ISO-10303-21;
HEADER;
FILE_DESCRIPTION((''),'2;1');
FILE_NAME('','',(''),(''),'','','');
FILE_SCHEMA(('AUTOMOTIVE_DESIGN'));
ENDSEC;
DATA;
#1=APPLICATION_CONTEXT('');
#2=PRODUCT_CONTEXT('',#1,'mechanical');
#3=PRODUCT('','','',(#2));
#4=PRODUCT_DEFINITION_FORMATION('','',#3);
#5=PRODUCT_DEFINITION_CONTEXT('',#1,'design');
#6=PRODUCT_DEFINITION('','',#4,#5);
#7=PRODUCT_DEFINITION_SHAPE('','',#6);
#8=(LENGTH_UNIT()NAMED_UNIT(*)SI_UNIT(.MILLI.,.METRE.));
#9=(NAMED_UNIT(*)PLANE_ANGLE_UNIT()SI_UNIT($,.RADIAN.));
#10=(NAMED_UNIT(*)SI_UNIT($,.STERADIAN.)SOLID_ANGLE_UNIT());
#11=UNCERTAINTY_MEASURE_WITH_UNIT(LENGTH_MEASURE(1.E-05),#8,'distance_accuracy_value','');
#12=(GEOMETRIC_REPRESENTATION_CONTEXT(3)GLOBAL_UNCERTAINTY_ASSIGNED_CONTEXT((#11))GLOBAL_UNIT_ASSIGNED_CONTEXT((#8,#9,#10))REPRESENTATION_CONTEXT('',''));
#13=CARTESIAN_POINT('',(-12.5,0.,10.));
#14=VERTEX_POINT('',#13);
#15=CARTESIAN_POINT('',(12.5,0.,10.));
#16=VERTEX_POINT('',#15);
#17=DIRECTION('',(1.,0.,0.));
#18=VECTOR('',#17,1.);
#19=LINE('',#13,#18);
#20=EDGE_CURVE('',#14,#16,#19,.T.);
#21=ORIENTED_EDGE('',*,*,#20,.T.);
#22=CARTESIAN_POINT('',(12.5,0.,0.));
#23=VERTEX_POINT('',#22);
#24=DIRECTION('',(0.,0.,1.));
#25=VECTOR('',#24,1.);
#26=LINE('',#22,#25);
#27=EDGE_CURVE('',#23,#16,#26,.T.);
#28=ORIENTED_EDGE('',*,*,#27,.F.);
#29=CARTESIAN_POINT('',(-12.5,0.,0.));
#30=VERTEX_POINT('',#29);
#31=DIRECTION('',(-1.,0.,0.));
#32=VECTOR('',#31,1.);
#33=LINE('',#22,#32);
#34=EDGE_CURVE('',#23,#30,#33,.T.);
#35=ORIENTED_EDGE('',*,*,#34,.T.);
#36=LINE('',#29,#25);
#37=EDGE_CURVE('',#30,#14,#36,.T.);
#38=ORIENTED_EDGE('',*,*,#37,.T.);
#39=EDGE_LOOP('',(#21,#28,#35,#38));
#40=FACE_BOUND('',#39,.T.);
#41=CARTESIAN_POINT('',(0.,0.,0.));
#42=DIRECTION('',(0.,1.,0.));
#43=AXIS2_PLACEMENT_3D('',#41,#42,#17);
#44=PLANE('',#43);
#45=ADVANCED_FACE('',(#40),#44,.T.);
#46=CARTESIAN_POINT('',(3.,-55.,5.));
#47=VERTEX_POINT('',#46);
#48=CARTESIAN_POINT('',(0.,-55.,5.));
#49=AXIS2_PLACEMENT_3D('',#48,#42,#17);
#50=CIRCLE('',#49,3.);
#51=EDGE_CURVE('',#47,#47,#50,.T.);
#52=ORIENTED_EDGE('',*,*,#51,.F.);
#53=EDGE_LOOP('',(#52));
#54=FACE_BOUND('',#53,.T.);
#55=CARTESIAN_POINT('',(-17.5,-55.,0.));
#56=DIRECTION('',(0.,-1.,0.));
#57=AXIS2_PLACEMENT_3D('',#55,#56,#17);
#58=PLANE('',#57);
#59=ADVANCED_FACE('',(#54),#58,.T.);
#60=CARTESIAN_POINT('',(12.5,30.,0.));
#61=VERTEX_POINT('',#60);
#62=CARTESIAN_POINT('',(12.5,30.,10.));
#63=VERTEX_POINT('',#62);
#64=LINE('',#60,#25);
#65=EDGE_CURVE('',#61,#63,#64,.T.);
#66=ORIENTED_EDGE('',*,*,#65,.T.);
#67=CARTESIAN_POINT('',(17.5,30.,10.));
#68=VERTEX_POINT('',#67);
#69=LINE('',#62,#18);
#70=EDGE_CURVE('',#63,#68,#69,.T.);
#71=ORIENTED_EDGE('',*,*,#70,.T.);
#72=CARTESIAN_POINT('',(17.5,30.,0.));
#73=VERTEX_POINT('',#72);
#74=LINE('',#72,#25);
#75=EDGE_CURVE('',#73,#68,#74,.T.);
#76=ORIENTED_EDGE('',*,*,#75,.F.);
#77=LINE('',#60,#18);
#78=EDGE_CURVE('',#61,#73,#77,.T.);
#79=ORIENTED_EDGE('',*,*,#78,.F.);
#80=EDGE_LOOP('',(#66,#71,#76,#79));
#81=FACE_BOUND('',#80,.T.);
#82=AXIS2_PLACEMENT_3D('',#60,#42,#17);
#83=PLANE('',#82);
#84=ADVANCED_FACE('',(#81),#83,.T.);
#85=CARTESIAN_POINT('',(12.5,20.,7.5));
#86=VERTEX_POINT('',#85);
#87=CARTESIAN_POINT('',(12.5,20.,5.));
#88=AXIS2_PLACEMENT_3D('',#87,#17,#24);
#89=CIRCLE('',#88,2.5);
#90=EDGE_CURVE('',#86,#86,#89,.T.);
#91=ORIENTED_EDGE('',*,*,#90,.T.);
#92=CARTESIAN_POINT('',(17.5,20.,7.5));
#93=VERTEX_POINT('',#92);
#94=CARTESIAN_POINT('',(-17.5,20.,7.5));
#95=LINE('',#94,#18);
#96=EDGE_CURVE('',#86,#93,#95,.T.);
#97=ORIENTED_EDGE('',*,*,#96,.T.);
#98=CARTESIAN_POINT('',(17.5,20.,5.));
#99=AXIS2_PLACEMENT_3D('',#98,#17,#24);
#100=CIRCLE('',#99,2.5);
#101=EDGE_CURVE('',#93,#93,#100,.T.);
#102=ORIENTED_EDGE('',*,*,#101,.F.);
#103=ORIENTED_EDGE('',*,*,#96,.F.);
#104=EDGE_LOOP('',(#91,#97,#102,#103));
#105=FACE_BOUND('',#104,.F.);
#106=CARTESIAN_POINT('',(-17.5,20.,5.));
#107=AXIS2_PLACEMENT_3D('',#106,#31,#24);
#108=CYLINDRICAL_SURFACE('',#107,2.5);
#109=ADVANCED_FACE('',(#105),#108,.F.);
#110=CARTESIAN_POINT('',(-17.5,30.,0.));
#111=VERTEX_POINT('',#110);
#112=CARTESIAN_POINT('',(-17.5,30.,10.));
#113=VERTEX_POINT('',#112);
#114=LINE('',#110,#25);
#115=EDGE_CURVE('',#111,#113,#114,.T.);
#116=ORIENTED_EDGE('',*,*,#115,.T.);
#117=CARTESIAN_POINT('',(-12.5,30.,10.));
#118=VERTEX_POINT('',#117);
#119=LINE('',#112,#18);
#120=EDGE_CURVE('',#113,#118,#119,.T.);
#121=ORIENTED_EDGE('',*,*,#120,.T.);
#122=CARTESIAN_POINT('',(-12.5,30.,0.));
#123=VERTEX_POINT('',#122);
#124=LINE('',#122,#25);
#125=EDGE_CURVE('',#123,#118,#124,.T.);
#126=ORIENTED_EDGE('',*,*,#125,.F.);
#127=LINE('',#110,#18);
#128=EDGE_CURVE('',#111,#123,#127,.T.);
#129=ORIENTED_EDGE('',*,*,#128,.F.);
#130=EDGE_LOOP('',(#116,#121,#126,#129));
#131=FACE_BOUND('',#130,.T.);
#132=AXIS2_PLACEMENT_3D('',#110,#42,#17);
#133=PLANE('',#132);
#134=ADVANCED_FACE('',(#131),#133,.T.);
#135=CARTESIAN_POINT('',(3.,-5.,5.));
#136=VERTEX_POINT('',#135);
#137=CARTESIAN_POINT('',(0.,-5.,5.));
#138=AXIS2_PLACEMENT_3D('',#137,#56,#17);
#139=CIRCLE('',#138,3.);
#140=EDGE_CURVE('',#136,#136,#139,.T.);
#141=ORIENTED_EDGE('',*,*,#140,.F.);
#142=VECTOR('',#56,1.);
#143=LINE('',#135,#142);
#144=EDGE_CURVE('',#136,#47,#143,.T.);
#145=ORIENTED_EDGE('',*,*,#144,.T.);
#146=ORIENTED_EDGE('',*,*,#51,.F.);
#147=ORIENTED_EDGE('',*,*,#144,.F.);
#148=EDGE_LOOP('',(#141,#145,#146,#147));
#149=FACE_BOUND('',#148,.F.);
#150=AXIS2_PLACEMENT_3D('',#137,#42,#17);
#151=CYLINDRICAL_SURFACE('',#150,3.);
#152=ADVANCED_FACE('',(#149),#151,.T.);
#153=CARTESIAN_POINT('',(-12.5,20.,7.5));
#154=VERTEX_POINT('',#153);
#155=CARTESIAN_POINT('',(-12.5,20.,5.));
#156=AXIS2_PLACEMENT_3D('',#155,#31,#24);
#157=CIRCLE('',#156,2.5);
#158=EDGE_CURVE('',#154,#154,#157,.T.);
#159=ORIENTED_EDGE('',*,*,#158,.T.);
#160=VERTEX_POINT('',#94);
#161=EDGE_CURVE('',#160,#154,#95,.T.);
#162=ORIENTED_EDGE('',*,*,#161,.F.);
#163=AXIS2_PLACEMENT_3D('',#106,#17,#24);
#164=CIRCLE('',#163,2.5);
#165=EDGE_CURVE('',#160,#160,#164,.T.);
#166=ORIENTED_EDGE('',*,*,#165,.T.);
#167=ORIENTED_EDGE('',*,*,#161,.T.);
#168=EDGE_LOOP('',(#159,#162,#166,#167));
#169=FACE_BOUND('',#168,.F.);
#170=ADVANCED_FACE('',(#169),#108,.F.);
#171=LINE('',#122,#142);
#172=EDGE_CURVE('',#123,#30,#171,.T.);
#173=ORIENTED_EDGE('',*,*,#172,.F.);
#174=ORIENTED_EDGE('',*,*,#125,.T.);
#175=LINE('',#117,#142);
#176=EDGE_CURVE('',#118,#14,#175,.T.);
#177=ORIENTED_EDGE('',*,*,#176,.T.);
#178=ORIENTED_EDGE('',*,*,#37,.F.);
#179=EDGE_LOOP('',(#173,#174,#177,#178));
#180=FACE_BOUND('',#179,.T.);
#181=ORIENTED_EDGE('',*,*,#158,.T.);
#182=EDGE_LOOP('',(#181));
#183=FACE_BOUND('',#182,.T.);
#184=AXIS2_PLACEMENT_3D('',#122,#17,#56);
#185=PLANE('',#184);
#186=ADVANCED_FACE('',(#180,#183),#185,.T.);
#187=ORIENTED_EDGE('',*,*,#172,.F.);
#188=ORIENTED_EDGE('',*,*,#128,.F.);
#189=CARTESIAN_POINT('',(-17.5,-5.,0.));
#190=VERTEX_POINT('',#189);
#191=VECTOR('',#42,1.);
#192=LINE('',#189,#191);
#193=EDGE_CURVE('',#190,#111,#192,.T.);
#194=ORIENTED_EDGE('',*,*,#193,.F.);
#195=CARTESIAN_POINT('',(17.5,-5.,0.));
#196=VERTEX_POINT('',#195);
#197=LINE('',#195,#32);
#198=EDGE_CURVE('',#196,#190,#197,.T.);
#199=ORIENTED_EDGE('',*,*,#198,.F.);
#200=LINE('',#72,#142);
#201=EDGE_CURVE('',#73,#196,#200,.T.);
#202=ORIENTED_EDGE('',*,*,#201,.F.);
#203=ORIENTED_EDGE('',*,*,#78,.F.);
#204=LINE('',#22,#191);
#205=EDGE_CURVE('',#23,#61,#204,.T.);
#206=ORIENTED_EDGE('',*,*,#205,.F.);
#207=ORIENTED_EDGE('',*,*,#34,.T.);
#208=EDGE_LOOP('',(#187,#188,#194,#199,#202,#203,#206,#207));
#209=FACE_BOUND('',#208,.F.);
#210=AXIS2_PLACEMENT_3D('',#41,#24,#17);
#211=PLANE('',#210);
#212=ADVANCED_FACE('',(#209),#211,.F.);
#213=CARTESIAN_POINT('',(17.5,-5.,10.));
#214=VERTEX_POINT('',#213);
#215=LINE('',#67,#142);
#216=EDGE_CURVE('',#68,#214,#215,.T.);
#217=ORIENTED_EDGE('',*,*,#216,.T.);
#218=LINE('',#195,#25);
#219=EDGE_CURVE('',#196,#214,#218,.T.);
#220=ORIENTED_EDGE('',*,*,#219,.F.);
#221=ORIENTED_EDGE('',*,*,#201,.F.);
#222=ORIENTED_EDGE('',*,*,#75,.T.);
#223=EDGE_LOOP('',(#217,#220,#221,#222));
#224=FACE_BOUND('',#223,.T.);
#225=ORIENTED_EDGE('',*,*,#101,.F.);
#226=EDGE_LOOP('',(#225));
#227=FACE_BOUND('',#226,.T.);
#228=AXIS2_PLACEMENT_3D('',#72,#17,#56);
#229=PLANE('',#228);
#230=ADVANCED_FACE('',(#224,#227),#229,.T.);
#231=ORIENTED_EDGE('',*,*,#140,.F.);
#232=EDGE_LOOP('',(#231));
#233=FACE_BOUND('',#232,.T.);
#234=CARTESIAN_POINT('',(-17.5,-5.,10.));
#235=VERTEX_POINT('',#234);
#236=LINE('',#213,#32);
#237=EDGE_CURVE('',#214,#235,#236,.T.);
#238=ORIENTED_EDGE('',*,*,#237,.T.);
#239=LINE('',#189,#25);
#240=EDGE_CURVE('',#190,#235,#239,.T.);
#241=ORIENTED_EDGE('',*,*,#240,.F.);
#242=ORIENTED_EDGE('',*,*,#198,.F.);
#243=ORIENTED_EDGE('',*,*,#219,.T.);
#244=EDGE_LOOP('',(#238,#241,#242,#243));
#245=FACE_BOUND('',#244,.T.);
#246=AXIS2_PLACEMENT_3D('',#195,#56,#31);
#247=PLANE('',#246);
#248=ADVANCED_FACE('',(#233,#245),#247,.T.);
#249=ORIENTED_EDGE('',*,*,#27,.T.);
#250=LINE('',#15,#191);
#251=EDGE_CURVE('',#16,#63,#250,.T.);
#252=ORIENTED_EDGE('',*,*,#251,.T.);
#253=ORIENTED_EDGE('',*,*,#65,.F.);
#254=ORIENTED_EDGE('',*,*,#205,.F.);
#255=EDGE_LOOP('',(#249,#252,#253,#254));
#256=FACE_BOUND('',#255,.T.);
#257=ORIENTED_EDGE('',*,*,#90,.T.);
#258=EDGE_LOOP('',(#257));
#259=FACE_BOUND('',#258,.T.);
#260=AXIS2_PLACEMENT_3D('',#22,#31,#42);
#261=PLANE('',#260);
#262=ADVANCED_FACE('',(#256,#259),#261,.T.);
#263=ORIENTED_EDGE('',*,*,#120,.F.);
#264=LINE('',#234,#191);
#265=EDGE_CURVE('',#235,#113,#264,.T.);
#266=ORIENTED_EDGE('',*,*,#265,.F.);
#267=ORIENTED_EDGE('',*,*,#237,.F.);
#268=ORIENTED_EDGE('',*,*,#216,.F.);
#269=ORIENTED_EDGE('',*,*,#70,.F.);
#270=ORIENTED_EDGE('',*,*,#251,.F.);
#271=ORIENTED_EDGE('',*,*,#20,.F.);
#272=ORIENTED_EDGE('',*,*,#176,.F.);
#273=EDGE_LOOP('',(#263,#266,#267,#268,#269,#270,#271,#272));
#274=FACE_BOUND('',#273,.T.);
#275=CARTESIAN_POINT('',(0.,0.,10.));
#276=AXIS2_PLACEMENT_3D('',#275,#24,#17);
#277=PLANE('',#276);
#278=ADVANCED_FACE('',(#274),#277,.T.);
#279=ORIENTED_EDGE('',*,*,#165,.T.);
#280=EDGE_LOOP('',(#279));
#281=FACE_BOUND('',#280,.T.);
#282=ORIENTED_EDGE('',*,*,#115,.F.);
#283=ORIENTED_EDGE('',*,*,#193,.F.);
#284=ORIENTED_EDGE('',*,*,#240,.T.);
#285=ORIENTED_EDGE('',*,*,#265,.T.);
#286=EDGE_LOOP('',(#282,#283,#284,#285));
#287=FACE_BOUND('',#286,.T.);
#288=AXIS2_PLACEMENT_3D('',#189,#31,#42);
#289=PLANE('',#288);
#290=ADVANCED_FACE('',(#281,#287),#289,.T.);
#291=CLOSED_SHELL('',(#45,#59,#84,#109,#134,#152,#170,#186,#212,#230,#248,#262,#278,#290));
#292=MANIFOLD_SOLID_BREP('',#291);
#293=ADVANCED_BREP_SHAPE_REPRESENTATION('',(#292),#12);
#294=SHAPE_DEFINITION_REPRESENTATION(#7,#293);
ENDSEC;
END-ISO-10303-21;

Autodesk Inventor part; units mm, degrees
ref_plane "YZ Plane" through (0, 0, 0) normal (1, 0, 0) x (0, 1, 0)
ref_plane "XZ Plane" through (0, 0, 0) normal (0, 1, 0) x (-1, 0, 0)
ref_plane "XY Plane" through (0, 0, 0) normal (0, 0, 1) x (1, 0, 0)
sketch "Sketch1" plane through (0, 0, 0) normal (0, 0, 1) x (1, 0, 0)
  line L0 (0, 0) -> (12.5, 0)
  line L1 (12.5, 0) -> (12.5, 30)
  line L2 (12.5, 30) -> (17.5, 30)
  line L3 (17.5, 30) -> (17.5, -5)
  line L4 (17.5, -5) -> (-17.5, -5)
  line L5 (-17.5, -5) -> (-17.5, 30)
  line L6 (-17.5, 30) -> (-12.5, 30)
  line L7 (-12.5, 30) -> (-12.5, 0)
  line L8 (-12.5, 0) -> (12.5, 0)
  dimension "d0" = 12.5
  dimension "d1" = 30
  dimension "d2" = 5
  dimension "d3" = 35
  dimension "d4" = 35
  dimension "d5" = 35
  dimension "d6" = 5
  dimension "d8" = 30
extrude "Extrusion1" add sketch "Sketch1" along normal blind 10
sketch "Sketch2" plane through (-17.5, -5, 0) normal (0, -1, 0) x (1, 0, 0)
  line L0 (5, 10) -> (0, 10) projected
  line L1 (30, 0) -> (35, 0) projected
  line L2 (0, 10) -> (35, 0)
  circle A0 centre (17.5, 5) radius 3
  point P0 (17.5, 0)
  dimension "d11" = 6
extrude "Extrusion2" add sketch "Sketch2" along normal blind 50
sketch "Sketch3" plane through (-17.5, -5, 0) normal (-1, 0, 0) x (0, 0, 1)
  line L0 (0, 35) -> (10, 35) projected
  line L1 (5, 35) -> (5, 25)
  circle A0 centre (5, 25) radius 2.5
  point P0 (0, 5)
  dimension "d14" = 10
  dimension "d15" = 5
extrude "Extrusion3" cut sketch "Sketch3" against normal blind 35
properties part number "TopFork"
